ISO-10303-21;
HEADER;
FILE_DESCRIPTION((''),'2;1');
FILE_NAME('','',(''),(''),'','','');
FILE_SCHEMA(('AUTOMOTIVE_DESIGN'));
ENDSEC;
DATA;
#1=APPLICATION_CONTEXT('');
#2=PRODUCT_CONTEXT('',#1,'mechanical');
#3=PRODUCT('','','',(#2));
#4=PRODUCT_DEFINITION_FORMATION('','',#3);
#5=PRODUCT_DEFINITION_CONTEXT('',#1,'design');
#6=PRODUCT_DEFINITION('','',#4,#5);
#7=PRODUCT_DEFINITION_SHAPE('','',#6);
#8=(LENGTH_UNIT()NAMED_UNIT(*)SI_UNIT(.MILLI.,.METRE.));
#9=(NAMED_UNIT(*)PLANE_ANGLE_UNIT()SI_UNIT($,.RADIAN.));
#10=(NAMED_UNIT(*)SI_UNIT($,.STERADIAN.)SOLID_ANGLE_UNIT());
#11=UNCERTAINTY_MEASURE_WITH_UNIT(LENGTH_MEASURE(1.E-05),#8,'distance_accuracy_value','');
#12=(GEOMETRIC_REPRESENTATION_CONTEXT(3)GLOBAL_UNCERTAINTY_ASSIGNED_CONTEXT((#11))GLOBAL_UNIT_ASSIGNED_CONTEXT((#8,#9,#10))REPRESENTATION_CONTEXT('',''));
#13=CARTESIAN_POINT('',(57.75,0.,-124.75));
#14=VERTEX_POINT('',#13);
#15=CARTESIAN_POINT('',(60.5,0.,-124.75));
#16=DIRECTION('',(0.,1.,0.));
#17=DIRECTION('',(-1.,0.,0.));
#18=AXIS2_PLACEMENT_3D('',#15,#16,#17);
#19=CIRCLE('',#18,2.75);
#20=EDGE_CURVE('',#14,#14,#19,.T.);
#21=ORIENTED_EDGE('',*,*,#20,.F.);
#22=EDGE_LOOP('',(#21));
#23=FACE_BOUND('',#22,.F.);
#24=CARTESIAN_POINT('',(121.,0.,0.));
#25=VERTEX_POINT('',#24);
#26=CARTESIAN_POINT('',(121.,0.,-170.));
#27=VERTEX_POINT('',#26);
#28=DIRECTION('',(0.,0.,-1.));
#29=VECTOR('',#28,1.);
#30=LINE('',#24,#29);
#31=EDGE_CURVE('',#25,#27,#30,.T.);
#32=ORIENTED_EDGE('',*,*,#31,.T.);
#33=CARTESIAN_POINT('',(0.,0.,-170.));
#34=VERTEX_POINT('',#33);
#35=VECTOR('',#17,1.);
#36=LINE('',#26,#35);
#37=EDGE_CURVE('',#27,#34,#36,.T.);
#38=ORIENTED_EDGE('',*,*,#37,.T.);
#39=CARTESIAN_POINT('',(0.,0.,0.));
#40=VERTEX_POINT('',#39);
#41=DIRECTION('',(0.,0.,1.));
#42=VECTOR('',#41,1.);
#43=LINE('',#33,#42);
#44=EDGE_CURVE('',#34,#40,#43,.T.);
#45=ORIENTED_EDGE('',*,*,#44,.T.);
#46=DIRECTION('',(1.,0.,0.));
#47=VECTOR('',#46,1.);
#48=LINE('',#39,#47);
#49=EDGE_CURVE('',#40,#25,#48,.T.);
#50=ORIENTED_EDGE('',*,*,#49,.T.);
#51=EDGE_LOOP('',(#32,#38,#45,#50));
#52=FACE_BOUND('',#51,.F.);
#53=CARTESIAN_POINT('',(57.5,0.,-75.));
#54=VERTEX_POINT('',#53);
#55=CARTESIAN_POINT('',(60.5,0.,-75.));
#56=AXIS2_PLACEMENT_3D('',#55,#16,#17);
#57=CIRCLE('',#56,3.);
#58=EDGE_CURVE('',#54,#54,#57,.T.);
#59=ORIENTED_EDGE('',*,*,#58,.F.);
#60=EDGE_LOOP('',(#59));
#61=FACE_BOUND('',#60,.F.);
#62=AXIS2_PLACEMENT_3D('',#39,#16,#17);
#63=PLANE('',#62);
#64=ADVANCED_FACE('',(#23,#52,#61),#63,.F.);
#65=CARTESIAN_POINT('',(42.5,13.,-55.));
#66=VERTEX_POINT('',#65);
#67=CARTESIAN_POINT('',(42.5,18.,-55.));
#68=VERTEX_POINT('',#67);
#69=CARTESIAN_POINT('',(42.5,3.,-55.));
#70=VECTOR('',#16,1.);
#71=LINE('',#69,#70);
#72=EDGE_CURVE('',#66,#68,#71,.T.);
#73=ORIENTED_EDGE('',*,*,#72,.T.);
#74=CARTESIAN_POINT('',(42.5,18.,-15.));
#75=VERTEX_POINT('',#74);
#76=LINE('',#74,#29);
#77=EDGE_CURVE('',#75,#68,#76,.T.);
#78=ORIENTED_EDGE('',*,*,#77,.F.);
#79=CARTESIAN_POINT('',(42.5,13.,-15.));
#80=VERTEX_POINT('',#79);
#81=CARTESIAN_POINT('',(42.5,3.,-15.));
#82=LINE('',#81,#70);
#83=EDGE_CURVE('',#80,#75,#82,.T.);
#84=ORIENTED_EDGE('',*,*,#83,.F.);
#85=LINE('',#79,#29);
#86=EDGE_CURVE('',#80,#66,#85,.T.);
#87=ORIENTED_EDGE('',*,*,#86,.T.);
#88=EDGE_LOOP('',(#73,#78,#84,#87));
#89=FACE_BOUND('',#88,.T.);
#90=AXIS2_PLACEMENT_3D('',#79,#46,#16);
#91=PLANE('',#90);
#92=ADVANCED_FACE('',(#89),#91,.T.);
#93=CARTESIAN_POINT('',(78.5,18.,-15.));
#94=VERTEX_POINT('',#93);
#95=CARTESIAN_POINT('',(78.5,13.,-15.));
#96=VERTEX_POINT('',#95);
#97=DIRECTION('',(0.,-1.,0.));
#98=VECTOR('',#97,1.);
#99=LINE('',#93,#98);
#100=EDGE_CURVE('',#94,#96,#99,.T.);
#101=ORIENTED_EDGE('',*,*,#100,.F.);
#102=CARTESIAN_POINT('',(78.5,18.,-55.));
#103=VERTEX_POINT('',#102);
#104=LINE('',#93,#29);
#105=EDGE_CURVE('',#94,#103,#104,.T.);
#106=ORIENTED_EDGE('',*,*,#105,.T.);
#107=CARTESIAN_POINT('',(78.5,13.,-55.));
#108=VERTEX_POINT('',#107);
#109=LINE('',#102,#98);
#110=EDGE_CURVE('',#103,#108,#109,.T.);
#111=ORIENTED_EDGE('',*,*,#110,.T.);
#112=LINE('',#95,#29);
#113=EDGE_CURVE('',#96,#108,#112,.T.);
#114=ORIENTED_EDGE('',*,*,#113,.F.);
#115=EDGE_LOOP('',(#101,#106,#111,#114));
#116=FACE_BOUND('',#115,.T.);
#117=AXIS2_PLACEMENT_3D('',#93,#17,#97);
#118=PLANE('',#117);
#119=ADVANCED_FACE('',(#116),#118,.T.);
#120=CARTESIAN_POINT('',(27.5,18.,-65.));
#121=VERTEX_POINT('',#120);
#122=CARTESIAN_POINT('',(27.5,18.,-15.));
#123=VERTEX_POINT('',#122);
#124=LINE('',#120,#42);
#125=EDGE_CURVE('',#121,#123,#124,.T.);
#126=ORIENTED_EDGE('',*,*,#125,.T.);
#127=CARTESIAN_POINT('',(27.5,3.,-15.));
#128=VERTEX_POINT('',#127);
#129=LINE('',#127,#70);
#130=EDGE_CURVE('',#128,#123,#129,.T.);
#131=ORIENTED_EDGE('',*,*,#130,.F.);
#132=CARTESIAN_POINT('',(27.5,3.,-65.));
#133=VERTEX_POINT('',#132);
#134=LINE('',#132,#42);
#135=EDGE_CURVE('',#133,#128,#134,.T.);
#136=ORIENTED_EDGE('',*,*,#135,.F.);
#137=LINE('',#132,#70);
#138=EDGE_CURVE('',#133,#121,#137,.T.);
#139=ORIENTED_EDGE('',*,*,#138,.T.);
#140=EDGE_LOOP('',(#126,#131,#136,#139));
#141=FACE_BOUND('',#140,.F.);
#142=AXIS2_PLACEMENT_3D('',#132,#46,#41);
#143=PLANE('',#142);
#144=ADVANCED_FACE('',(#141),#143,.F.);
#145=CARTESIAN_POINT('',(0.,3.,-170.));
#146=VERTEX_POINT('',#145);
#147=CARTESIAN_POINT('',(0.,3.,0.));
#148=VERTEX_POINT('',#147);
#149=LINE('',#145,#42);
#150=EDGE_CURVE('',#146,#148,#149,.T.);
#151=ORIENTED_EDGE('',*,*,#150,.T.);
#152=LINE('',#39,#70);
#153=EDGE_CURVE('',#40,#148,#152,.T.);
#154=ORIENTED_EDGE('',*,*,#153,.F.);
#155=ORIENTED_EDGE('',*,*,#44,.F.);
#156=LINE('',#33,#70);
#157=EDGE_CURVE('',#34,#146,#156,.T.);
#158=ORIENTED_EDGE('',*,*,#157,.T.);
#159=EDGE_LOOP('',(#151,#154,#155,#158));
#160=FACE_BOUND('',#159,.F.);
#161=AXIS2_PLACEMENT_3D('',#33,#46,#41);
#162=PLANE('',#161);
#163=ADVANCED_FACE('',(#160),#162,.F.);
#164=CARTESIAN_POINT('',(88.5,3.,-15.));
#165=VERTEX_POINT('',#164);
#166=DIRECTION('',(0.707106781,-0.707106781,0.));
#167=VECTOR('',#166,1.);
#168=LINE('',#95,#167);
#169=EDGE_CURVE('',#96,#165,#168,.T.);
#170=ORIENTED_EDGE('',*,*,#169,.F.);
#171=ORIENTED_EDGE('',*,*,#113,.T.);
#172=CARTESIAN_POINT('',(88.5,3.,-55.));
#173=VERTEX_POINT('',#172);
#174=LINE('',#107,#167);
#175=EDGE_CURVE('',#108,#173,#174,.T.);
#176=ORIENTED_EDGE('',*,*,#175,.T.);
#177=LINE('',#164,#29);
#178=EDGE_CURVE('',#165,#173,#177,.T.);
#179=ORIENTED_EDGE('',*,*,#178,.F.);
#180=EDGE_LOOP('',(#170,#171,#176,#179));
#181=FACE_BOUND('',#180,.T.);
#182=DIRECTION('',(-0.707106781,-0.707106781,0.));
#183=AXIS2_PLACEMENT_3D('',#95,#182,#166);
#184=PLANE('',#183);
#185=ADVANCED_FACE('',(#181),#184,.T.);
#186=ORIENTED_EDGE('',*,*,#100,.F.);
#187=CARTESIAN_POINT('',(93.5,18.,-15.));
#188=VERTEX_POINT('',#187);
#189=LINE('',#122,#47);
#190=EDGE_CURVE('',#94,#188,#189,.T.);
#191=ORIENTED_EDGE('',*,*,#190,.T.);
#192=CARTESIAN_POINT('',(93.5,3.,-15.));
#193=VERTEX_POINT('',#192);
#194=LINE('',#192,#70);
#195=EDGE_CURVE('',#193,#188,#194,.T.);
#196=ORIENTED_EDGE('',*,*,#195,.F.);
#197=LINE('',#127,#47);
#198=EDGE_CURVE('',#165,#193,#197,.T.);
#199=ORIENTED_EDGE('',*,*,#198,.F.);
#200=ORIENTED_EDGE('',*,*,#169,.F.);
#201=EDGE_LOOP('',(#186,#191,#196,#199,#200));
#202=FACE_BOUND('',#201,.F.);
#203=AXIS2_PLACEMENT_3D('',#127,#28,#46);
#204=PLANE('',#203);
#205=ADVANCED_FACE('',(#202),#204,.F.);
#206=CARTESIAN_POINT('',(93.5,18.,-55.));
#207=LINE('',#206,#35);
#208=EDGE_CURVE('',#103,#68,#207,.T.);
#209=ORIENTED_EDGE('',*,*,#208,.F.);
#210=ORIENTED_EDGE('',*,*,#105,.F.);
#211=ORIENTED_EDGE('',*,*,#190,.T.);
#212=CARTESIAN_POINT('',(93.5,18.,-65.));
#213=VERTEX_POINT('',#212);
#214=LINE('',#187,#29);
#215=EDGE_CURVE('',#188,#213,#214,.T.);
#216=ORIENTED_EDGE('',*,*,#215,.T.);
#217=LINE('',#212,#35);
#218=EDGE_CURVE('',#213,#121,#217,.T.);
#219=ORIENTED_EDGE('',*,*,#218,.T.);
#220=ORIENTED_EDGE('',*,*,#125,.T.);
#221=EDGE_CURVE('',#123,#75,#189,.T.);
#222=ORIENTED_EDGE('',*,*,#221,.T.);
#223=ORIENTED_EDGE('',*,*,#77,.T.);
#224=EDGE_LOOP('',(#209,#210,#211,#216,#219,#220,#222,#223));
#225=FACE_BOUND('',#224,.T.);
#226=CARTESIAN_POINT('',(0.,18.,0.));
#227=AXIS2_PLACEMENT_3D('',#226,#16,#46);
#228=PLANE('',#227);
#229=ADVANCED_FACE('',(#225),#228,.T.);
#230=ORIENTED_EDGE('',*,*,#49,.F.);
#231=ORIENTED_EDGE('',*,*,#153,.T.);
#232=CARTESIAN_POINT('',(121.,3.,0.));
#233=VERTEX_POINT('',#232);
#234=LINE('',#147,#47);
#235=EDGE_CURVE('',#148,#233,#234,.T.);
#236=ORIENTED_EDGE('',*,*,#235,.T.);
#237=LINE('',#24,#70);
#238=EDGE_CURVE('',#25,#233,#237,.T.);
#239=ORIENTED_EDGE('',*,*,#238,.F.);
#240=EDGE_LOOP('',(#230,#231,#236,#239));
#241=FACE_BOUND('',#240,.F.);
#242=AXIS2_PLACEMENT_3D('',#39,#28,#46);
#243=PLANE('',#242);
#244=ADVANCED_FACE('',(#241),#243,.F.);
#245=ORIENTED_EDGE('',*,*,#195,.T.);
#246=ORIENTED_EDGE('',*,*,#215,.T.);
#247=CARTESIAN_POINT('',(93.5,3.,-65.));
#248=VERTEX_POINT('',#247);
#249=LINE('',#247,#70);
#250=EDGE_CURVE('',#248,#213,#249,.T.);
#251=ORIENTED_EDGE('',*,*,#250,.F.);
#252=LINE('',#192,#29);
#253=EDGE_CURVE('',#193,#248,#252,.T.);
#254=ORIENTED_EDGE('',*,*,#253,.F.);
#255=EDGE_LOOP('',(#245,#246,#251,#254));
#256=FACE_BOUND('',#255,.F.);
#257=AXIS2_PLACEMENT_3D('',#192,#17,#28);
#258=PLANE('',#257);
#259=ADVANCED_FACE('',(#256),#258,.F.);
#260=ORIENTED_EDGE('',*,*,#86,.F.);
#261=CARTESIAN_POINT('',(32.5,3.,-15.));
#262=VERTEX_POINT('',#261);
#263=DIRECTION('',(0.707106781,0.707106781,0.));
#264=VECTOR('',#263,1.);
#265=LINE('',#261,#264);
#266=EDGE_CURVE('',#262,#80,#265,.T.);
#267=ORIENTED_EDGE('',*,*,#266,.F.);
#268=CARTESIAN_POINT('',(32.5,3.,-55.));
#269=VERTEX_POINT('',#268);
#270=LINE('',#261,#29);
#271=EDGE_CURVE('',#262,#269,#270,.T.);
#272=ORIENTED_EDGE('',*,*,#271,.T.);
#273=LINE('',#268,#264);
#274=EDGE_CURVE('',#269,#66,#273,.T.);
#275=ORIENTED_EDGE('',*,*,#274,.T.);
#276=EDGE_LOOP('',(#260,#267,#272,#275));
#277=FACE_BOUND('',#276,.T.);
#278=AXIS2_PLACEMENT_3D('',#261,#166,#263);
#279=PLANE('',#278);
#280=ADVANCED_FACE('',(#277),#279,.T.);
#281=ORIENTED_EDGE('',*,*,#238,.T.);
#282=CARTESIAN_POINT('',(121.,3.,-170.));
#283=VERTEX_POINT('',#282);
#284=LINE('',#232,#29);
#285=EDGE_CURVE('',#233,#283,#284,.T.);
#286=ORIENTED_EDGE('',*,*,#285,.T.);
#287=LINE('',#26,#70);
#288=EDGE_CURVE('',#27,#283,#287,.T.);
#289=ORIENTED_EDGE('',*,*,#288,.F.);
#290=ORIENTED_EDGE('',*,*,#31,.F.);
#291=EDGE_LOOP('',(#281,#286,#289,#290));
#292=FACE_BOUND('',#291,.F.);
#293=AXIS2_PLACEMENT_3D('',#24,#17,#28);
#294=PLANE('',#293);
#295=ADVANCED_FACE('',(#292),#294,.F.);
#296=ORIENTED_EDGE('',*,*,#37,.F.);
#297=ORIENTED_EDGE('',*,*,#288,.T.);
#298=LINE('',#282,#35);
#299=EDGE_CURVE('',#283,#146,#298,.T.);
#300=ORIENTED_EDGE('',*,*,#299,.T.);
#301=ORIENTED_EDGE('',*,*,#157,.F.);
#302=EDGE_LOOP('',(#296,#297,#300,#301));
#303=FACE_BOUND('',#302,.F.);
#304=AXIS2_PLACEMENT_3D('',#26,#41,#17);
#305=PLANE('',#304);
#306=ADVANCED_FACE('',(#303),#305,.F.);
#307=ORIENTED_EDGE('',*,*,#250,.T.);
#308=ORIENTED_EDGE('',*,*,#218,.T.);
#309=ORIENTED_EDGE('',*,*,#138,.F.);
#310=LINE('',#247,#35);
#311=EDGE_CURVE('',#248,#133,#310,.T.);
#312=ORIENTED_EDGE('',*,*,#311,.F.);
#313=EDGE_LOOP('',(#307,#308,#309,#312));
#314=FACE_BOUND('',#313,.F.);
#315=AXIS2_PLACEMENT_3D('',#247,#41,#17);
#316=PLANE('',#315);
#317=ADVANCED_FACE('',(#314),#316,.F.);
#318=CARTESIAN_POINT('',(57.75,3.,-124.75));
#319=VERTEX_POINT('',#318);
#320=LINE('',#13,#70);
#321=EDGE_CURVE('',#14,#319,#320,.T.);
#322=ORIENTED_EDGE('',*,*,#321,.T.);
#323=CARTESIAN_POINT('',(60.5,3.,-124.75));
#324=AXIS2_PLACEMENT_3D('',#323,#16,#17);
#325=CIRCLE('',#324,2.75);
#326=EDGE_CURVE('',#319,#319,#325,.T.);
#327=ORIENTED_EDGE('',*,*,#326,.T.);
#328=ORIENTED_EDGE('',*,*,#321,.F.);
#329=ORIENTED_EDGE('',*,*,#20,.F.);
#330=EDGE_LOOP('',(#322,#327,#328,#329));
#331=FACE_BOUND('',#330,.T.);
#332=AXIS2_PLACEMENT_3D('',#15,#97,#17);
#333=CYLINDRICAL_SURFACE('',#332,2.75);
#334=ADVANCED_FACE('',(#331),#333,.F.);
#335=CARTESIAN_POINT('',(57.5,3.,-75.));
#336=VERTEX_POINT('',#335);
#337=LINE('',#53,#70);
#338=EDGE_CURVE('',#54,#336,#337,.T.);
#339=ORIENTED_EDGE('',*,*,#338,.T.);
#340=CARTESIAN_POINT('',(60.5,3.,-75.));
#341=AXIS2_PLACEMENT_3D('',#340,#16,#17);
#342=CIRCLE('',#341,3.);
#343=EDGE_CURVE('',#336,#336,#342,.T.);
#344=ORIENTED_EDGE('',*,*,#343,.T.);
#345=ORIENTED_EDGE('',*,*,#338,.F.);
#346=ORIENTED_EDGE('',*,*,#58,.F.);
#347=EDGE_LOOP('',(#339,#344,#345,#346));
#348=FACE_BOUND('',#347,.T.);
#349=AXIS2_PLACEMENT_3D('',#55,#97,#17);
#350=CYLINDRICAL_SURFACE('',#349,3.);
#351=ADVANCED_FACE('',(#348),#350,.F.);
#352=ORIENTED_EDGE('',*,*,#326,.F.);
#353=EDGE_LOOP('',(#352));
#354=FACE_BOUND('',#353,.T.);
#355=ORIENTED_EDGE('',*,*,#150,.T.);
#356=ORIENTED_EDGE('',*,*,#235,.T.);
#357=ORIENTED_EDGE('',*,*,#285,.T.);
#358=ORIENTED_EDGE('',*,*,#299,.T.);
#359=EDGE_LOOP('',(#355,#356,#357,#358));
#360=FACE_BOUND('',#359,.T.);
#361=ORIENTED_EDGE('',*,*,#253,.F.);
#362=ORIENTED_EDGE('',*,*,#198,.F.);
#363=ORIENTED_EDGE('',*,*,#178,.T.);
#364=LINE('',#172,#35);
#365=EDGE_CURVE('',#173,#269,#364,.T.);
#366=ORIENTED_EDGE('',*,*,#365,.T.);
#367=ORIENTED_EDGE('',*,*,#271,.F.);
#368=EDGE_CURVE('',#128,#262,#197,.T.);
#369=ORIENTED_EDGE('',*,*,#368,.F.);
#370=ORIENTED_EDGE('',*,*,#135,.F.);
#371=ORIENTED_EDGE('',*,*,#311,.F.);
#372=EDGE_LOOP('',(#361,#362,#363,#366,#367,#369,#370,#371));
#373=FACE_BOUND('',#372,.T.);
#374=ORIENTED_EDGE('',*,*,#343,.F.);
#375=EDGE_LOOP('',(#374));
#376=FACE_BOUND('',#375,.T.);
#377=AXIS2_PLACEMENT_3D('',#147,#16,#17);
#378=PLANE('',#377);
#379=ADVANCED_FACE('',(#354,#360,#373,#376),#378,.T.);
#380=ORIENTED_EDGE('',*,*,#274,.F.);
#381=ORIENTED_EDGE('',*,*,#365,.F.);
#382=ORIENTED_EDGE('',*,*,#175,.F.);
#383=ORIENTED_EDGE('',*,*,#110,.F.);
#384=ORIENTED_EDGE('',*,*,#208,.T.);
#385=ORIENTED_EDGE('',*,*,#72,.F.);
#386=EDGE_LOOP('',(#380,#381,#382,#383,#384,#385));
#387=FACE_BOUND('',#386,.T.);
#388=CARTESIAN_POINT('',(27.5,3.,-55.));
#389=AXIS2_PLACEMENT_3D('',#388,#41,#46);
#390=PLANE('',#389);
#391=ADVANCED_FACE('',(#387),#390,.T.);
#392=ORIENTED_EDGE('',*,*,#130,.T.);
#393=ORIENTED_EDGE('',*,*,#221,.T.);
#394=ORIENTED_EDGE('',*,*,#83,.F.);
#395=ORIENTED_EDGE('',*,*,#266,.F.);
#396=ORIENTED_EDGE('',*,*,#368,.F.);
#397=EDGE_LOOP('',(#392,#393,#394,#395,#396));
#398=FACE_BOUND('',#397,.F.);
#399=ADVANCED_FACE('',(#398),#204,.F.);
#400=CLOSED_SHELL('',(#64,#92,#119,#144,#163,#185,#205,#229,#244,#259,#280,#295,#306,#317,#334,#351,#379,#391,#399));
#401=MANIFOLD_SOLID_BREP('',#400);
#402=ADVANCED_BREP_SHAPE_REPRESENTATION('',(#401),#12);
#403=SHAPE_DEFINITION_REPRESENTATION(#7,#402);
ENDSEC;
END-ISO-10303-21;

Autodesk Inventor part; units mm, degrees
ref_plane "YZ Plane" through (0, 0, 0) normal (1, 0, 0) x (0, 1, 0)
ref_plane "XZ Plane" through (0, 0, 0) normal (0, 1, 0) x (-1, 0, 0)
ref_plane "XY Plane" through (0, 0, 0) normal (0, 0, 1) x (1, 0, 0)
sketch "Skizze1" plane through (0, 0, 0) normal (0, 1, 0) x (-1, 0, 0)
  line L0 (0, 0) -> (-121, 0)
  line L1 (-121, 0) -> (-121, -170)
  line L2 (-121, -170) -> (0, -170)
  line L3 (0, -170) -> (0, 0)
  circle A0 centre (-60.5, -75) radius 3
  circle A1 centre (-60.5, -124.75) radius 2.75
  dimension "d0" = 121
  dimension "d1" = 170
  dimension "d2" = 75
  dimension "d3" = 6
  dimension "d4" = 60.5
  dimension "d5" = 49.75
  dimension "d6" = 60.5
  dimension "d7" = 5.5
extrude "Extrusion1" add sketch "Skizze1" along normal blind 3
sketch "Skizze6" plane through (0, 3, 0) normal (0, 1, 0) x (1, 0, 0)
  line L0 (27.5, 15) -> (93.5, 15)
  line L1 (93.5, 15) -> (93.5, 65)
  line L2 (93.5, 65) -> (27.5, 65)
  line L3 (27.5, 65) -> (27.5, 15)
  line L4 (0, 170) -> (0, 0) projected
  line L5 (0, 0) -> (121, 0) projected
  dimension "d72" = 66
  dimension "d73" = 50
  dimension "d74" = 27.5
  dimension "d75" = 15
extrude "Extrusion6" add sketch "Skizze6" along normal blind 15
sketch "Skizze7" plane through (27.5, 3, -15) normal (0, 0, 1) x (1, 0, 0)
  line L0 (66, 15) -> (0, 15) projected
  line L1 (0, 0) -> (66, 0) projected
  line L2 (15, 15) -> (51, 15)
  line L3 (51, 15) -> (51, 0)
  line L4 (51, 0) -> (15, 0)
  line L5 (15, 0) -> (15, 15)
  line L6 (0, 0) -> (0, 15) projected
  line L7 (0, 0) -> (21.2132, 0) construction
  line L8 (66, 0) -> (87.2132, 0) construction
  line L9 (66, 0) -> (66, 15) projected
  line L10 (93.5, 0) -> (-27.5, 0) projected
  line L11 (5, 0) -> (15, 10)
  line L12 (5, 0) -> (19.1421, 0) construction
  line L13 (51, 10) -> (61, 0)
  line L14 (51, 10) -> (65.1421, 10) construction
  line L15 (15, 15) -> (51, 15)
  line L16 (51, 15) -> (51, 10)
  line L17 (51, 10) -> (15, 10)
  line L18 (15, 10) -> (15, 15)
  point P0 (-27.5, -3)
  dimension "d78" = 36
  dimension "d79" = 15
  dimension "d85" = 45
  dimension "d86" = 45
extrude "Extrusion7" cut sketch "Skizze7" against normal blind 40 contours L3 L17 L5 L0 | L13 L1 L3 | L3 L1 L5 L17 | L5 L1 L11
sketch "Skizze8" plane through (0, 3, 0) normal (0, 1, 0) x (1, 0, 0)
  point P0 (0, 0)
properties part number "platform-mount"
